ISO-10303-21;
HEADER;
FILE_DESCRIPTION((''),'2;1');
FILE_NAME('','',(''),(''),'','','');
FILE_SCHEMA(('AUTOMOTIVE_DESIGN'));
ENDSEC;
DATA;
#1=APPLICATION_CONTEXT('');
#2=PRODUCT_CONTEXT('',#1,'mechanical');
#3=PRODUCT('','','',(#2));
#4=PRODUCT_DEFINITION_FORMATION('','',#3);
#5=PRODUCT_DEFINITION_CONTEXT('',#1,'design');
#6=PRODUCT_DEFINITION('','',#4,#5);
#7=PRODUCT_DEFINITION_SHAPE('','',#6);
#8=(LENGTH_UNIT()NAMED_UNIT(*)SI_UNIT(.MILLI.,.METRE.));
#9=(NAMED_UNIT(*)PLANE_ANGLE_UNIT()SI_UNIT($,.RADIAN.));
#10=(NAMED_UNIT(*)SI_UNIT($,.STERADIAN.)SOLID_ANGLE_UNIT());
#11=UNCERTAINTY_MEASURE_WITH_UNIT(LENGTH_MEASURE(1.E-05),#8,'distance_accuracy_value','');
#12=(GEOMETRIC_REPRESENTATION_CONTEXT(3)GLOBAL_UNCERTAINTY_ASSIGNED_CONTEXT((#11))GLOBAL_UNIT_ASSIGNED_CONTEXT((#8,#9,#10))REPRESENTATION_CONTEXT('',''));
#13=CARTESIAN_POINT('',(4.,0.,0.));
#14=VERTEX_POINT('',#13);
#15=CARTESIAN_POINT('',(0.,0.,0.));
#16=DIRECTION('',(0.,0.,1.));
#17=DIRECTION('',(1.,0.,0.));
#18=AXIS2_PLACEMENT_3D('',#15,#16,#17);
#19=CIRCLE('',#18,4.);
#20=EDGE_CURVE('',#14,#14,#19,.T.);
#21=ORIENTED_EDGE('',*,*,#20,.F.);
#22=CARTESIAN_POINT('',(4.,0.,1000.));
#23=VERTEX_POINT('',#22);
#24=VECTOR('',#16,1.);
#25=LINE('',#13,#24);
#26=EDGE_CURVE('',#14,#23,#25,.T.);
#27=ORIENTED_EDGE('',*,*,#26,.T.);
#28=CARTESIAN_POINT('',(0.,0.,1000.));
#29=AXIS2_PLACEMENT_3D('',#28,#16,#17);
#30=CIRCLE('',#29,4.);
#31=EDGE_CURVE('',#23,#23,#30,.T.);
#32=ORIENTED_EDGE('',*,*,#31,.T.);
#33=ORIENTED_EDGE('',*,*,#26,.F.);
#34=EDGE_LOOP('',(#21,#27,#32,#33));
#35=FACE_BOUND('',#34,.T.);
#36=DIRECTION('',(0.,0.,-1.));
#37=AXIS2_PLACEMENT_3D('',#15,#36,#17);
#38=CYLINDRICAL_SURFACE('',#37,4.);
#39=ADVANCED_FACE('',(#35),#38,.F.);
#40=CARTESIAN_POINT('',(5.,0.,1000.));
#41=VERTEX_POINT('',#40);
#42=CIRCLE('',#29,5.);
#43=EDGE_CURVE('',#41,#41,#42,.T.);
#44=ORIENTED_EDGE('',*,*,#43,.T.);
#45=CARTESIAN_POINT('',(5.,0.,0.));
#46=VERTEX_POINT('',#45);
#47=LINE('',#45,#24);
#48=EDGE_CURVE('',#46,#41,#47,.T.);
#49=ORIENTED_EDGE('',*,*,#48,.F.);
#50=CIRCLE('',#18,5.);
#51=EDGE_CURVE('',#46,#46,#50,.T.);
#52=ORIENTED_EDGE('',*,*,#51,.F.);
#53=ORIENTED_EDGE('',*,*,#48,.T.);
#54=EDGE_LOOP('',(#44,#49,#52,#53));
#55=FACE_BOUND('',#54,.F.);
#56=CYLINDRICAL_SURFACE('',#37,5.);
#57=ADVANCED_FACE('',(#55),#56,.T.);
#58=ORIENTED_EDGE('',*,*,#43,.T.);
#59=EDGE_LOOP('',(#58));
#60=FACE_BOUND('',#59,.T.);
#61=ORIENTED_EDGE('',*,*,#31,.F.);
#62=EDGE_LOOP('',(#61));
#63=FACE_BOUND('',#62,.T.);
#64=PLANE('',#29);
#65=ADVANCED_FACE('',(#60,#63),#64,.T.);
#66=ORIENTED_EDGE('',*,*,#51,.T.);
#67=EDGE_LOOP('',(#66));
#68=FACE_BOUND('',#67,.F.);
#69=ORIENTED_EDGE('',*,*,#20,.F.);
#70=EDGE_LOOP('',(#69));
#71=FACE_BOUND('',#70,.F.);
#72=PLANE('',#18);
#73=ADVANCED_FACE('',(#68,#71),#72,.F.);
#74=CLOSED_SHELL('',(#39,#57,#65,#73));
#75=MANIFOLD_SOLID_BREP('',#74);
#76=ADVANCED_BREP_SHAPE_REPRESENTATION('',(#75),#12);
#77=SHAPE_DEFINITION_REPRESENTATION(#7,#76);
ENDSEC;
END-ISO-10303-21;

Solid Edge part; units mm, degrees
sketch "Sketch1" plane through (0, 0, 0) normal (0, 0, 1) x (1, 0, 0)
  circle A0 centre (0, 0) radius 5
  circle A1 centre (0, 0) radius 4
  dimension "D1" = 8
  dimension "D2" = 10
extrude "Protrusion1" add sketch "Sketch1" along normal blind 1000
properties material "ABS Plastic, high impact"
